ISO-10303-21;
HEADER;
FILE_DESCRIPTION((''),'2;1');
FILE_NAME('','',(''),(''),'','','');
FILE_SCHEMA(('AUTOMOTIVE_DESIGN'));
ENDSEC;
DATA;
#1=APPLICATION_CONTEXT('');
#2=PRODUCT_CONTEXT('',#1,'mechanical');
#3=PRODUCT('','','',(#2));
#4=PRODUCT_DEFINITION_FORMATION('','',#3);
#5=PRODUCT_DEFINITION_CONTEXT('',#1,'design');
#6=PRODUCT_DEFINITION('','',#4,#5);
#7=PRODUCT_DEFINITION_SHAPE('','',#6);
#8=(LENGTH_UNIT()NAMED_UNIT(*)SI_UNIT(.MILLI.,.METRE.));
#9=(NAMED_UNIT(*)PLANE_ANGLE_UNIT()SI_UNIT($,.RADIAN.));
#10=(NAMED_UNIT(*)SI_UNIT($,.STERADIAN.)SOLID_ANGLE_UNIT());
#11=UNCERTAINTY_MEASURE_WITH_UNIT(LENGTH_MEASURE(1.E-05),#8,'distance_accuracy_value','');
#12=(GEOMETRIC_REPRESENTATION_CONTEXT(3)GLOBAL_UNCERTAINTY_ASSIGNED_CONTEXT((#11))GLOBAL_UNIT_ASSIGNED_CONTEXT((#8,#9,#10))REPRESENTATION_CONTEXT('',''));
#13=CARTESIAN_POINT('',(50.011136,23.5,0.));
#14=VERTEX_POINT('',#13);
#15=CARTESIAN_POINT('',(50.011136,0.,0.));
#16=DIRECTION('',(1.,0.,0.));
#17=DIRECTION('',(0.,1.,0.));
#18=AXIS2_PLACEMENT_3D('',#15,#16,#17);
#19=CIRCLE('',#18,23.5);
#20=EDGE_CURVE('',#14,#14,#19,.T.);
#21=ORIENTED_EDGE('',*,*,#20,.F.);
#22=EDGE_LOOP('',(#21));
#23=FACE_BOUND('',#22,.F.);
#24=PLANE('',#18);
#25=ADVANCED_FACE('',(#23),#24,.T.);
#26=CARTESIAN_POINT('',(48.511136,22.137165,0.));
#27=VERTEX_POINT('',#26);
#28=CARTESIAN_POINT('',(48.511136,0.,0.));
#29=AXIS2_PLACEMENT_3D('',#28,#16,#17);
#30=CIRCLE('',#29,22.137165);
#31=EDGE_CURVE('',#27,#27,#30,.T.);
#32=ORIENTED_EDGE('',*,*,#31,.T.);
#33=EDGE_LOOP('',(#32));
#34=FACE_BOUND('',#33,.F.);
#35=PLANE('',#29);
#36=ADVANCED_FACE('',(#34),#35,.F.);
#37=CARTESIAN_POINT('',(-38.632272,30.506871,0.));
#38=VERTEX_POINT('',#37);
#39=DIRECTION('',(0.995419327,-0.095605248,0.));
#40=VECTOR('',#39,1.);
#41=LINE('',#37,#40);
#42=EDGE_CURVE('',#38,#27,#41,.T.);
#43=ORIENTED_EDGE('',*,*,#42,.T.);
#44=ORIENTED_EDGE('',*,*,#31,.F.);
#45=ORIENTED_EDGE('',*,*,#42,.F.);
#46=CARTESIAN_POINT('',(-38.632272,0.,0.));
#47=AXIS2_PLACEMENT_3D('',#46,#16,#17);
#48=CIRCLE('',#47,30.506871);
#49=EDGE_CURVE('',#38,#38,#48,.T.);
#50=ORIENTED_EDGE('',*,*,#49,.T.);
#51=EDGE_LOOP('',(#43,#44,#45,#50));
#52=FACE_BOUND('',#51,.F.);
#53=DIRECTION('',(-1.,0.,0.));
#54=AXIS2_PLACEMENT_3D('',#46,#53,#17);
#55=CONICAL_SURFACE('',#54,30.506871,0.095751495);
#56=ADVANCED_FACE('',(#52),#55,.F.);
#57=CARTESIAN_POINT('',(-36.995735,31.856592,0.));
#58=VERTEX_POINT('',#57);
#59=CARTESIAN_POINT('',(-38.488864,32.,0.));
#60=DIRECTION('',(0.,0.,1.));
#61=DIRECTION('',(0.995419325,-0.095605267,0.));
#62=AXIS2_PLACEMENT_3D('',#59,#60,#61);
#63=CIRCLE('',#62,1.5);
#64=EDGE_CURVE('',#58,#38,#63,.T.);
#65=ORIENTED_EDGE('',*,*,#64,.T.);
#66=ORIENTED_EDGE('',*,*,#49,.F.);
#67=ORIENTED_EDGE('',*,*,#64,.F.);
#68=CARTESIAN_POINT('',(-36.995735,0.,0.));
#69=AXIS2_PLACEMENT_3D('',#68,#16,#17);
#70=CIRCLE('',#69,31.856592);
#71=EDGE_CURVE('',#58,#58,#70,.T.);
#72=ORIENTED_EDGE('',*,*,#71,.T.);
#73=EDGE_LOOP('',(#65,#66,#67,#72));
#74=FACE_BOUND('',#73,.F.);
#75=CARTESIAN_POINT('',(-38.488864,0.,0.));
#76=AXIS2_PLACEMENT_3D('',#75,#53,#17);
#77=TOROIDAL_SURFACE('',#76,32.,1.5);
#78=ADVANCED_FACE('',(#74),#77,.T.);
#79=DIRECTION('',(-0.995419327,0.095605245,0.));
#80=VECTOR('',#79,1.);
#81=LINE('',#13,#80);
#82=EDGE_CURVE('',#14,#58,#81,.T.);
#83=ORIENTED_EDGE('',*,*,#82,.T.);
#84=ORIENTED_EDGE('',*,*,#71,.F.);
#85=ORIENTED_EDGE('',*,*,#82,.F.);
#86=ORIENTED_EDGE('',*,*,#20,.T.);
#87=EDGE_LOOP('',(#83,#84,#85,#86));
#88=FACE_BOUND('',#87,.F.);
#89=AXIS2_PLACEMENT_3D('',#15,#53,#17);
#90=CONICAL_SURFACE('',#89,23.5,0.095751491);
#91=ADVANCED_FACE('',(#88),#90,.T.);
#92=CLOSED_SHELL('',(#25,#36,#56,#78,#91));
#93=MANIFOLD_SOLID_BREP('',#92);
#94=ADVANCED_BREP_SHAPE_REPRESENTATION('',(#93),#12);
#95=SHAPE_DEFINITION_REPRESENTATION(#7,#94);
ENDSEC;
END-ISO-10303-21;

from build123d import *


with BuildPart() as f1:
    # F0 (on Top) → F1 (revolve)
    with BuildSketch(Plane.XY):
        with BuildLine():
            Line((50.011136, 0), (50.011136, 23.5))
            Line((50.011136, 23.5), (-36.995735, 31.856592))
            ThreePointArc((-36.995735, 31.856592), (-39.443261, 33.157206), (-38.632272, 30.506871))
            Line((-38.632272, 30.506871), (48.511136, 22.137165))
            Line((48.511136, 22.137165), (48.511136, 0))
            Line((48.511136, 0), (50.011136, 0))
        make_face()
    revolve(axis=Axis((17.755556, 0, 0), (1, 0, 0)))


solid = f1.part
